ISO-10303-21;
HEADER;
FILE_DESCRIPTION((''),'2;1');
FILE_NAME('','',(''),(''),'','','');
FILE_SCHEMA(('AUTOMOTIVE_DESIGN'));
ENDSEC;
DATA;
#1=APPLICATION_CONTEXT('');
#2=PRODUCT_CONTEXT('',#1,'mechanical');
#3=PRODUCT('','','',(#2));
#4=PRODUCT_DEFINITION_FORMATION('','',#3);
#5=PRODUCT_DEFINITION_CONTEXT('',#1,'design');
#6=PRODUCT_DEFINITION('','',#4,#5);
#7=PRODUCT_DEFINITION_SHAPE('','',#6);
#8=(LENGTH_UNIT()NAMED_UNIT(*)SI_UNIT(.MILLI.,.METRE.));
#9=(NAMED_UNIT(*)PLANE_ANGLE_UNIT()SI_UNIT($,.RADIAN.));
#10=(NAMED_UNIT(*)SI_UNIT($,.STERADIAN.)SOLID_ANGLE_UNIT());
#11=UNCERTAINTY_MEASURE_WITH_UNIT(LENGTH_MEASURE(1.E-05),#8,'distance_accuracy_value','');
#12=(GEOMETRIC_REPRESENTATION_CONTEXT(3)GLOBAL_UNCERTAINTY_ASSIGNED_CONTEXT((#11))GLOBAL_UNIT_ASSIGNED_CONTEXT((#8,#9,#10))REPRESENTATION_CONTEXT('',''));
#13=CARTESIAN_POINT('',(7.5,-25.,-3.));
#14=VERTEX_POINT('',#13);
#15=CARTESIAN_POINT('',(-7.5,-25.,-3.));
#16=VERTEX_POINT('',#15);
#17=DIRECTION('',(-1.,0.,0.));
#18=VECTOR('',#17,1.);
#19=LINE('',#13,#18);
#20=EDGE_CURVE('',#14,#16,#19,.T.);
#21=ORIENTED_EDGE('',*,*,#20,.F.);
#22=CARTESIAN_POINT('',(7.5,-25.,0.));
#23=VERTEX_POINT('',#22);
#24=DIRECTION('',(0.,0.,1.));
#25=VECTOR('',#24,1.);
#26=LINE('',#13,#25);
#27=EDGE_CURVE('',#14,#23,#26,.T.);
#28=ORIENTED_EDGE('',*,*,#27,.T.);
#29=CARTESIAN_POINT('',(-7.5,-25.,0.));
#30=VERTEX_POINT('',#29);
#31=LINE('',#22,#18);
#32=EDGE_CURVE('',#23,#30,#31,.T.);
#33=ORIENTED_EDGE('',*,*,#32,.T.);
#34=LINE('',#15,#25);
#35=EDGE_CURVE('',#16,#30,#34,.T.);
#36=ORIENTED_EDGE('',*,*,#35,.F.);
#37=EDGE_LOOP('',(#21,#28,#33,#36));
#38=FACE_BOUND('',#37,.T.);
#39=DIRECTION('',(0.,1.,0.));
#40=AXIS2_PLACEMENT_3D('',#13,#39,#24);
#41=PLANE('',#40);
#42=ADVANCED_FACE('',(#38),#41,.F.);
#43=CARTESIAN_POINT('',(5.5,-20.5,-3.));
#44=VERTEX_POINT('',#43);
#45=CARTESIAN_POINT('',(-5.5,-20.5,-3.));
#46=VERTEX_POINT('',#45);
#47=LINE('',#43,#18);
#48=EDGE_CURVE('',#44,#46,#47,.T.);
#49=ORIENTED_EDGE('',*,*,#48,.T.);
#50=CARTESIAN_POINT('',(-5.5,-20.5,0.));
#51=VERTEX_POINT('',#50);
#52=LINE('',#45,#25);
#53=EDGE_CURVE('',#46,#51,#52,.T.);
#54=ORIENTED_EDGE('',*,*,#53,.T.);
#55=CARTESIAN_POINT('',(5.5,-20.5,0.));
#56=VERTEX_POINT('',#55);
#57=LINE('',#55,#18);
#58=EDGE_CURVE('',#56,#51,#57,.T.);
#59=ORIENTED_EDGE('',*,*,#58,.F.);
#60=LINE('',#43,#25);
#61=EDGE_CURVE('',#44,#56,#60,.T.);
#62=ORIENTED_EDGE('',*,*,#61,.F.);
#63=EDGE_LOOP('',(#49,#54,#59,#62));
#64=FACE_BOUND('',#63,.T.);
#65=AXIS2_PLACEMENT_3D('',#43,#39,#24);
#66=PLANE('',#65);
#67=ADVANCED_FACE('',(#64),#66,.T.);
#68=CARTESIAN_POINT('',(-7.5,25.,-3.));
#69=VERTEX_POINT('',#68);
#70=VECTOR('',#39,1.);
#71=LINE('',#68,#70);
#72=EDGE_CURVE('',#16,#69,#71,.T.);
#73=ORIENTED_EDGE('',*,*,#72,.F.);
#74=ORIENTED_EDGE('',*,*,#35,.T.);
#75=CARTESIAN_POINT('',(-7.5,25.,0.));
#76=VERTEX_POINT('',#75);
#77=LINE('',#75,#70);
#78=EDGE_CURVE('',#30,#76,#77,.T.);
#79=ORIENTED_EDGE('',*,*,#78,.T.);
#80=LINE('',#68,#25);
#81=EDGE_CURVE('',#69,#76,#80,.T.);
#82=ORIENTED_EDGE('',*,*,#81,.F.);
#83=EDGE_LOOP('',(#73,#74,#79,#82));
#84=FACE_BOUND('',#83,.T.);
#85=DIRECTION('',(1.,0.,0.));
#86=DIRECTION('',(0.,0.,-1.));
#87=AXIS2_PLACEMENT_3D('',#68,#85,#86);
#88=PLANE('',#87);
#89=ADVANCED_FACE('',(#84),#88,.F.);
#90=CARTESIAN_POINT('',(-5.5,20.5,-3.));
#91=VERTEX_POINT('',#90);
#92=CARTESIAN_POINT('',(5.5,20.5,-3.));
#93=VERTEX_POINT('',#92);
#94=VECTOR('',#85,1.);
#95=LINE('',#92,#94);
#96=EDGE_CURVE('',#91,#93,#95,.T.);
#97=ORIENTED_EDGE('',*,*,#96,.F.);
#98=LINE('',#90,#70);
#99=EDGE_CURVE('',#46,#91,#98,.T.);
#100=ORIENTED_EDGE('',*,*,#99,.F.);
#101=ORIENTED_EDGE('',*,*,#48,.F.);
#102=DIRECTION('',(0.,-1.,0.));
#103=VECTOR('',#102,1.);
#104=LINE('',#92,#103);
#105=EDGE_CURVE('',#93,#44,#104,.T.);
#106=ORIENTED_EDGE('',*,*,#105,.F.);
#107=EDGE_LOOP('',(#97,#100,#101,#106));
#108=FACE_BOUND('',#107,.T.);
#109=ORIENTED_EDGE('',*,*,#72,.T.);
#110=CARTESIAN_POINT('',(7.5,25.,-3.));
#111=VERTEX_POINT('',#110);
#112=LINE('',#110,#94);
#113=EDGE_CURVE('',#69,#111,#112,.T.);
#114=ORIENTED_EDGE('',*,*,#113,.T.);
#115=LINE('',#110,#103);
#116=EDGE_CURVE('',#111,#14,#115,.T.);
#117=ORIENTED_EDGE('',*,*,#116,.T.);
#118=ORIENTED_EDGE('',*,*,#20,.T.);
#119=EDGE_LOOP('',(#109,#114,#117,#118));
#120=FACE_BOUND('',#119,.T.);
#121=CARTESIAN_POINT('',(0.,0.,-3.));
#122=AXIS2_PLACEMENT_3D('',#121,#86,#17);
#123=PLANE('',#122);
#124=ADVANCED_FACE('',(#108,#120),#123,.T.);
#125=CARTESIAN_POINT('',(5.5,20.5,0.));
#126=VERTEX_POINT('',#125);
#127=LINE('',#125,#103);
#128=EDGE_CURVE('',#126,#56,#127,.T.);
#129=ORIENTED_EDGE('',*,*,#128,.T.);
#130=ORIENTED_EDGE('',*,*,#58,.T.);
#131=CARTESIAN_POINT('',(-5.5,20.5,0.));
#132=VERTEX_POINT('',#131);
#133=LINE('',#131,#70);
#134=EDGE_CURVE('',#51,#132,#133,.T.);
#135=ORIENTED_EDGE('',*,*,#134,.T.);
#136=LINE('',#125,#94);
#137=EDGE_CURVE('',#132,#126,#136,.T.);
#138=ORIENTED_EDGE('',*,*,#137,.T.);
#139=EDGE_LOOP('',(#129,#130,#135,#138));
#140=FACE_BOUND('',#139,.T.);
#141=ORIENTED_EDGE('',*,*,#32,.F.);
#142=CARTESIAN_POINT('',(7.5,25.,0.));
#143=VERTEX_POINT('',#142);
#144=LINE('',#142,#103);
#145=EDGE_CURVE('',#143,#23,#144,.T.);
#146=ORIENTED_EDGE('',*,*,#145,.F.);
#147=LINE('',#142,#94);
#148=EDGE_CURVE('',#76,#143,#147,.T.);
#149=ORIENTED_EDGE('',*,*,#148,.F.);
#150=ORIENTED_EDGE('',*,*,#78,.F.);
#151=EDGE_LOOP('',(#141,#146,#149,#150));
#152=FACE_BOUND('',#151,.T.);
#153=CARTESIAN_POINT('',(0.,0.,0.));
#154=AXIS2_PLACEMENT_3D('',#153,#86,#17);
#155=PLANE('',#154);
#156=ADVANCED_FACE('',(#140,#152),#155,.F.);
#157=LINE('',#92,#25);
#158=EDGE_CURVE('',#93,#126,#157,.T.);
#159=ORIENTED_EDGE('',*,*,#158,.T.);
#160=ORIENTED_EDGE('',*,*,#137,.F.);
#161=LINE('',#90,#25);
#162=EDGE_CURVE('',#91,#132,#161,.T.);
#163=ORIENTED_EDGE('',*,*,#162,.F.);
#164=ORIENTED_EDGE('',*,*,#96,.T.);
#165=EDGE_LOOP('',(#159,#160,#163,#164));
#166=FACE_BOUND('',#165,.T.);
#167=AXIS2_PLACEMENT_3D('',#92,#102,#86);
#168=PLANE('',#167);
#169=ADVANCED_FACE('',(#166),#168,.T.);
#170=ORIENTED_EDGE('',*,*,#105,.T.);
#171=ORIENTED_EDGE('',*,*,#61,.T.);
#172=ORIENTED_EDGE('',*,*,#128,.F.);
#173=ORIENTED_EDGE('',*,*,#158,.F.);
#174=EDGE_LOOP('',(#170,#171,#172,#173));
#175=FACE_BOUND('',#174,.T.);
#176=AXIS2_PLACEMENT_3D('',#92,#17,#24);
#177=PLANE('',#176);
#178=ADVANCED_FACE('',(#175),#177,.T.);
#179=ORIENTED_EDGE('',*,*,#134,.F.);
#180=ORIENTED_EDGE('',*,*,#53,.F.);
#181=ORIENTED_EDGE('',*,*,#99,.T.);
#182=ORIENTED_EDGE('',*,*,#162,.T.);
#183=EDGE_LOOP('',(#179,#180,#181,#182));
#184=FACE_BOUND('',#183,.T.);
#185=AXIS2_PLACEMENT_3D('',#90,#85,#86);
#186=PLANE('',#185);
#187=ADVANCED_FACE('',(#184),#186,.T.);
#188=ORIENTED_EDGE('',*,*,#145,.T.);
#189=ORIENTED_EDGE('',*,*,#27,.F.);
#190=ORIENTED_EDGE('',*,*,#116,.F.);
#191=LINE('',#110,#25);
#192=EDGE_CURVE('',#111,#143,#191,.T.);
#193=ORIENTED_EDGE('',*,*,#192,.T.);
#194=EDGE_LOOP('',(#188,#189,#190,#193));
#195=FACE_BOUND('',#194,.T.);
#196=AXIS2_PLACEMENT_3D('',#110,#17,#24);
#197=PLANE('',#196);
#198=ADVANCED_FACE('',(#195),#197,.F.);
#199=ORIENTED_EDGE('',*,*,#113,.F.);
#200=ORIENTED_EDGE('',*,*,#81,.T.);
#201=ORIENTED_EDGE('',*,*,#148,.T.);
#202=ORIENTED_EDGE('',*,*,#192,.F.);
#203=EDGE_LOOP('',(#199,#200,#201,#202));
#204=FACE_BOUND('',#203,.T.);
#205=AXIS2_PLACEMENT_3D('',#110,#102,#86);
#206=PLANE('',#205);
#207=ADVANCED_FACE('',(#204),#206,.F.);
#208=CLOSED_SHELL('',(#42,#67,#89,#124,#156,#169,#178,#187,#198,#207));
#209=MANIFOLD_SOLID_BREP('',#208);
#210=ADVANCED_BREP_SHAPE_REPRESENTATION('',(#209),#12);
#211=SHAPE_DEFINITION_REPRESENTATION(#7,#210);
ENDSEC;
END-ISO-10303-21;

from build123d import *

# Parameters (mm, degrees)
SKETCH_3_W      = 15
SKETCH_3_H      = 50
SKETCH_3_W_2    = 11
SKETCH_3_H_2    = 41
EXTRUDE_1_DEPTH = 3


with BuildPart() as part:
    # 스케치3 → 보스-돌출1 (new body)
    with BuildSketch(Plane(origin=(0, 0, 0), x_dir=(-1, 0, 0), z_dir=(0, 0, -1))):
        Rectangle(SKETCH_3_W, SKETCH_3_H)
        Rectangle(SKETCH_3_W_2, SKETCH_3_H_2, mode=Mode.SUBTRACT)
    extrude(amount=EXTRUDE_1_DEPTH)


solid = part.part
